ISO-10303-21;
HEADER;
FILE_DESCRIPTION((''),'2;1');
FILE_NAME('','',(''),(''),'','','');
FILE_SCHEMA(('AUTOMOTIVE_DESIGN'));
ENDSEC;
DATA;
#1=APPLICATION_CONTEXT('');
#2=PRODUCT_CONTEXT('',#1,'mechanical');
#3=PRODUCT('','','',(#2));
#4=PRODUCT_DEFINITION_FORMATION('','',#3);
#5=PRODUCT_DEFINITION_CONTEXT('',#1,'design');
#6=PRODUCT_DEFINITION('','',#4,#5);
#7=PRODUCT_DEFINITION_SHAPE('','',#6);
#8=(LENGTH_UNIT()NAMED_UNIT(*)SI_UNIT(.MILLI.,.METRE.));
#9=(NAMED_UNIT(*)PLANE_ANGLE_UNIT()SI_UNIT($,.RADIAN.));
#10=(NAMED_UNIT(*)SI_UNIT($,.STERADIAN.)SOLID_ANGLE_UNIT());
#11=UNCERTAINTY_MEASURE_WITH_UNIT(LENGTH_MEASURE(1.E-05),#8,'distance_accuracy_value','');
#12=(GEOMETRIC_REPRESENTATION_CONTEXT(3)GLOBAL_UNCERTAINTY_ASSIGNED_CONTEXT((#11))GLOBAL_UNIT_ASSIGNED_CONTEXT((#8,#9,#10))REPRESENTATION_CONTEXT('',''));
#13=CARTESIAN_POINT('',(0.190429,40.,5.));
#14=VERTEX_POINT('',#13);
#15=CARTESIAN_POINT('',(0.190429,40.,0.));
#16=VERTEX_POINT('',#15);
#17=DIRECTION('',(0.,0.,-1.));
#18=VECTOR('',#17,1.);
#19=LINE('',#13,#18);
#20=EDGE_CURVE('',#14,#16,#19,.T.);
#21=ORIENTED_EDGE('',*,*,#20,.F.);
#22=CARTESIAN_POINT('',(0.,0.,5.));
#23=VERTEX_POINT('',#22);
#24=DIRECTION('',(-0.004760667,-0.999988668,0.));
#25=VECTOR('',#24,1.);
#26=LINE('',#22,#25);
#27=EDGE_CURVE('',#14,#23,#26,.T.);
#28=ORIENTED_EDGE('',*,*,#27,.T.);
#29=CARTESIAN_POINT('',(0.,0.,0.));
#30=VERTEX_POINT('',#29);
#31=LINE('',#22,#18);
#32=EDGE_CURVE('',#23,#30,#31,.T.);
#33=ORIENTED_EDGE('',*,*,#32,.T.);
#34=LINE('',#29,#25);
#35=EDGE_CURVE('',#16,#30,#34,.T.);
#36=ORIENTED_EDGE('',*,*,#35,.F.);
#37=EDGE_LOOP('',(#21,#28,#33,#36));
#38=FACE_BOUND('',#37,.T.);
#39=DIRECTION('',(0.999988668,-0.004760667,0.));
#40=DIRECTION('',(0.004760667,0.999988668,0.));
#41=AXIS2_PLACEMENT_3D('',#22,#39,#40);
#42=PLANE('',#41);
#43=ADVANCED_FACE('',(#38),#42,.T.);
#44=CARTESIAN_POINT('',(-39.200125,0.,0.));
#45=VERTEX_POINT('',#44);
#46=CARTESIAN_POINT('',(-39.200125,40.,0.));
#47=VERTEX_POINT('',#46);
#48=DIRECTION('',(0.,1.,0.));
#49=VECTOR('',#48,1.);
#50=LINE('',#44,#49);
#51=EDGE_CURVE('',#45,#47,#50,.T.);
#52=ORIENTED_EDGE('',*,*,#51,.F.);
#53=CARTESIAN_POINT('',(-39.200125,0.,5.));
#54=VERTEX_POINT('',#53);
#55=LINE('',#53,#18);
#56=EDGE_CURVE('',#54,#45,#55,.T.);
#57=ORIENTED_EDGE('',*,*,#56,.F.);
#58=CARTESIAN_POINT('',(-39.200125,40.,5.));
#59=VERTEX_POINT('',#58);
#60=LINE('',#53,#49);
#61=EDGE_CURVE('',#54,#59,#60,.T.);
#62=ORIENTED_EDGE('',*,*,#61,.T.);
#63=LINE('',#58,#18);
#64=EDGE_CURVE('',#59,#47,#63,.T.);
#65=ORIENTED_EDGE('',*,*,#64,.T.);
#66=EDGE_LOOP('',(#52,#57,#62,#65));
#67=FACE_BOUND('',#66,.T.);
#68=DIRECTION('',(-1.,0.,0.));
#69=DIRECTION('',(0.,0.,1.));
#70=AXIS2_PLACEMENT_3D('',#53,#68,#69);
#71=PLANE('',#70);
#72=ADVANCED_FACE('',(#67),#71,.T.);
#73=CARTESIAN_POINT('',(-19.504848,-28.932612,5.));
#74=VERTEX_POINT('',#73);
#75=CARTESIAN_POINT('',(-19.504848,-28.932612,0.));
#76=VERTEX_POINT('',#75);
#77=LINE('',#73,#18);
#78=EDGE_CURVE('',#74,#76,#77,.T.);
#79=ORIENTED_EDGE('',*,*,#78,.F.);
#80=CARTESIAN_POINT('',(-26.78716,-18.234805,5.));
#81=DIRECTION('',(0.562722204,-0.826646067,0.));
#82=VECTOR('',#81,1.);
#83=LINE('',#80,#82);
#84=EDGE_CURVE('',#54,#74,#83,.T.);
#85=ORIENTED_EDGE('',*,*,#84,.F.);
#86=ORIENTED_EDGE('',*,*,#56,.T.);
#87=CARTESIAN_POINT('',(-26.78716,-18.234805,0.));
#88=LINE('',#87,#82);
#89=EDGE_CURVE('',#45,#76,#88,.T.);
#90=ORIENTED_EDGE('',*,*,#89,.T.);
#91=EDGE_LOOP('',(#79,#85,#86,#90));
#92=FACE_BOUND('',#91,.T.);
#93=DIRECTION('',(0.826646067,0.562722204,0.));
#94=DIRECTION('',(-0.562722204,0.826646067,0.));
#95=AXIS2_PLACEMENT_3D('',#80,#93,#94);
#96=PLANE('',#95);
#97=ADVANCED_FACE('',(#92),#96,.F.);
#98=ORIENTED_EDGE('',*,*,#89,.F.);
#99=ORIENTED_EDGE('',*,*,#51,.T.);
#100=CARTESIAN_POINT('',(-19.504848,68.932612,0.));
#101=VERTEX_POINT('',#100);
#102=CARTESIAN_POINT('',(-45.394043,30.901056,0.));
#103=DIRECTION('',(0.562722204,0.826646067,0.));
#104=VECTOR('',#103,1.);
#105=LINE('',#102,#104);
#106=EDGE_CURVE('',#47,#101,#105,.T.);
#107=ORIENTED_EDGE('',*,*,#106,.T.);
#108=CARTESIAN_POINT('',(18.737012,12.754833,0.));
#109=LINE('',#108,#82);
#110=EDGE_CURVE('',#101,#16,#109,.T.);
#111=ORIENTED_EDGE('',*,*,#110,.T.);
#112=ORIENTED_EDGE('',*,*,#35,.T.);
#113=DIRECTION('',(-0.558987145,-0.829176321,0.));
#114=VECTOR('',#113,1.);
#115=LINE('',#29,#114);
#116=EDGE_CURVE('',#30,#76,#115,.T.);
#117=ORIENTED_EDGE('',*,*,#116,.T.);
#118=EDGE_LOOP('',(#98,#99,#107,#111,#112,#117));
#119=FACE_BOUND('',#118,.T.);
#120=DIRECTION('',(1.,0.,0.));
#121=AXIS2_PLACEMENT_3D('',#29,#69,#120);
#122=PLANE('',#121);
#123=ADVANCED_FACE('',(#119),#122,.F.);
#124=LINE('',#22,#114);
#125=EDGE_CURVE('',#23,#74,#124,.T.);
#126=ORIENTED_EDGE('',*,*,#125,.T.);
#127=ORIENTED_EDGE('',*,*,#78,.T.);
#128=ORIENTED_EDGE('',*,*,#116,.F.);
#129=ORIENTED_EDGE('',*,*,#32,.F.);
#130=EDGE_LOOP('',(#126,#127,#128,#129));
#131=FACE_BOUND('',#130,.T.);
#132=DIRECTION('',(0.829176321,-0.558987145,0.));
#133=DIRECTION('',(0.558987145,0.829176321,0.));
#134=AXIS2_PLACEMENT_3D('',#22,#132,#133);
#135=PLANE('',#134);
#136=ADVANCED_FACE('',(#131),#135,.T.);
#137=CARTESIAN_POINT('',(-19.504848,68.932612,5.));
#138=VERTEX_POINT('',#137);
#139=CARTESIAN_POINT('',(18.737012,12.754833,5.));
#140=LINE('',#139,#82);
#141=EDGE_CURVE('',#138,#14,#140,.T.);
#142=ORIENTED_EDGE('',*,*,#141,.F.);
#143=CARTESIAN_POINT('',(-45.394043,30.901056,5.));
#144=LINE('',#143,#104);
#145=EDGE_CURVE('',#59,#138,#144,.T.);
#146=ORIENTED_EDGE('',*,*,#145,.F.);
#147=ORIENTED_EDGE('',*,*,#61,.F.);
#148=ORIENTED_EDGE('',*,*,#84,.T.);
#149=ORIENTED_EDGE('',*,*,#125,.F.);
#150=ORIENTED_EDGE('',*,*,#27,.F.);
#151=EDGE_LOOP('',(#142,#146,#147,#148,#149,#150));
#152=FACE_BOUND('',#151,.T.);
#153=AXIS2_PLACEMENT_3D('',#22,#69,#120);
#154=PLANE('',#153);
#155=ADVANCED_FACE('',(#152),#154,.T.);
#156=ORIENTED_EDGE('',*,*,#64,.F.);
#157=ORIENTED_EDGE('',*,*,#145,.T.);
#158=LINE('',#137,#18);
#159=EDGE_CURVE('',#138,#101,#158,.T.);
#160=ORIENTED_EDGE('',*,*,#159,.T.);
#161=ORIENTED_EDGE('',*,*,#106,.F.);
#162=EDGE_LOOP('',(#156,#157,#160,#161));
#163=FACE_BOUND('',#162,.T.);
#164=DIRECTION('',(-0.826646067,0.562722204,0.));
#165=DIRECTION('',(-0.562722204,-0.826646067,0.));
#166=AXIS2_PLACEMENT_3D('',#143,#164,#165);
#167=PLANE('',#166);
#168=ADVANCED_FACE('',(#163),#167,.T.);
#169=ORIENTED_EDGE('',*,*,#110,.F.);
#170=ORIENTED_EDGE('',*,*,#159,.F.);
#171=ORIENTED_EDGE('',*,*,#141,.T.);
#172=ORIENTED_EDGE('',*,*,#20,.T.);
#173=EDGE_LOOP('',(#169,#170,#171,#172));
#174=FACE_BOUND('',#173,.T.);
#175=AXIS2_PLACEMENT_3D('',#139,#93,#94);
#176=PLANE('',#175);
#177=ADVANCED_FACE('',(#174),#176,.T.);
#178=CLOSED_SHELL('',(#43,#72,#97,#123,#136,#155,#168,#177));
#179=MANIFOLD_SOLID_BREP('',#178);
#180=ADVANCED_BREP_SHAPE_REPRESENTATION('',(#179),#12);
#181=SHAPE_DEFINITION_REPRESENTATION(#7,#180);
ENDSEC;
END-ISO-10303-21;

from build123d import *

# Parameters (mm, degrees)
BOSS_EXTRUDE3_DEPTH = 5


with BuildPart() as part:
    # Sketch1 → Boss-Extrude3 (new body)
    with BuildSketch(Plane.XY):
        Polygon((-39.200125475, 40), (-39.200125475, 0), (-19.504848319, -28.932612356), (0, 0), (0.190428836, 40), (-19.504848319, 68.932612356), align=None)
    extrude(amount=BOSS_EXTRUDE3_DEPTH)


solid = part.part
